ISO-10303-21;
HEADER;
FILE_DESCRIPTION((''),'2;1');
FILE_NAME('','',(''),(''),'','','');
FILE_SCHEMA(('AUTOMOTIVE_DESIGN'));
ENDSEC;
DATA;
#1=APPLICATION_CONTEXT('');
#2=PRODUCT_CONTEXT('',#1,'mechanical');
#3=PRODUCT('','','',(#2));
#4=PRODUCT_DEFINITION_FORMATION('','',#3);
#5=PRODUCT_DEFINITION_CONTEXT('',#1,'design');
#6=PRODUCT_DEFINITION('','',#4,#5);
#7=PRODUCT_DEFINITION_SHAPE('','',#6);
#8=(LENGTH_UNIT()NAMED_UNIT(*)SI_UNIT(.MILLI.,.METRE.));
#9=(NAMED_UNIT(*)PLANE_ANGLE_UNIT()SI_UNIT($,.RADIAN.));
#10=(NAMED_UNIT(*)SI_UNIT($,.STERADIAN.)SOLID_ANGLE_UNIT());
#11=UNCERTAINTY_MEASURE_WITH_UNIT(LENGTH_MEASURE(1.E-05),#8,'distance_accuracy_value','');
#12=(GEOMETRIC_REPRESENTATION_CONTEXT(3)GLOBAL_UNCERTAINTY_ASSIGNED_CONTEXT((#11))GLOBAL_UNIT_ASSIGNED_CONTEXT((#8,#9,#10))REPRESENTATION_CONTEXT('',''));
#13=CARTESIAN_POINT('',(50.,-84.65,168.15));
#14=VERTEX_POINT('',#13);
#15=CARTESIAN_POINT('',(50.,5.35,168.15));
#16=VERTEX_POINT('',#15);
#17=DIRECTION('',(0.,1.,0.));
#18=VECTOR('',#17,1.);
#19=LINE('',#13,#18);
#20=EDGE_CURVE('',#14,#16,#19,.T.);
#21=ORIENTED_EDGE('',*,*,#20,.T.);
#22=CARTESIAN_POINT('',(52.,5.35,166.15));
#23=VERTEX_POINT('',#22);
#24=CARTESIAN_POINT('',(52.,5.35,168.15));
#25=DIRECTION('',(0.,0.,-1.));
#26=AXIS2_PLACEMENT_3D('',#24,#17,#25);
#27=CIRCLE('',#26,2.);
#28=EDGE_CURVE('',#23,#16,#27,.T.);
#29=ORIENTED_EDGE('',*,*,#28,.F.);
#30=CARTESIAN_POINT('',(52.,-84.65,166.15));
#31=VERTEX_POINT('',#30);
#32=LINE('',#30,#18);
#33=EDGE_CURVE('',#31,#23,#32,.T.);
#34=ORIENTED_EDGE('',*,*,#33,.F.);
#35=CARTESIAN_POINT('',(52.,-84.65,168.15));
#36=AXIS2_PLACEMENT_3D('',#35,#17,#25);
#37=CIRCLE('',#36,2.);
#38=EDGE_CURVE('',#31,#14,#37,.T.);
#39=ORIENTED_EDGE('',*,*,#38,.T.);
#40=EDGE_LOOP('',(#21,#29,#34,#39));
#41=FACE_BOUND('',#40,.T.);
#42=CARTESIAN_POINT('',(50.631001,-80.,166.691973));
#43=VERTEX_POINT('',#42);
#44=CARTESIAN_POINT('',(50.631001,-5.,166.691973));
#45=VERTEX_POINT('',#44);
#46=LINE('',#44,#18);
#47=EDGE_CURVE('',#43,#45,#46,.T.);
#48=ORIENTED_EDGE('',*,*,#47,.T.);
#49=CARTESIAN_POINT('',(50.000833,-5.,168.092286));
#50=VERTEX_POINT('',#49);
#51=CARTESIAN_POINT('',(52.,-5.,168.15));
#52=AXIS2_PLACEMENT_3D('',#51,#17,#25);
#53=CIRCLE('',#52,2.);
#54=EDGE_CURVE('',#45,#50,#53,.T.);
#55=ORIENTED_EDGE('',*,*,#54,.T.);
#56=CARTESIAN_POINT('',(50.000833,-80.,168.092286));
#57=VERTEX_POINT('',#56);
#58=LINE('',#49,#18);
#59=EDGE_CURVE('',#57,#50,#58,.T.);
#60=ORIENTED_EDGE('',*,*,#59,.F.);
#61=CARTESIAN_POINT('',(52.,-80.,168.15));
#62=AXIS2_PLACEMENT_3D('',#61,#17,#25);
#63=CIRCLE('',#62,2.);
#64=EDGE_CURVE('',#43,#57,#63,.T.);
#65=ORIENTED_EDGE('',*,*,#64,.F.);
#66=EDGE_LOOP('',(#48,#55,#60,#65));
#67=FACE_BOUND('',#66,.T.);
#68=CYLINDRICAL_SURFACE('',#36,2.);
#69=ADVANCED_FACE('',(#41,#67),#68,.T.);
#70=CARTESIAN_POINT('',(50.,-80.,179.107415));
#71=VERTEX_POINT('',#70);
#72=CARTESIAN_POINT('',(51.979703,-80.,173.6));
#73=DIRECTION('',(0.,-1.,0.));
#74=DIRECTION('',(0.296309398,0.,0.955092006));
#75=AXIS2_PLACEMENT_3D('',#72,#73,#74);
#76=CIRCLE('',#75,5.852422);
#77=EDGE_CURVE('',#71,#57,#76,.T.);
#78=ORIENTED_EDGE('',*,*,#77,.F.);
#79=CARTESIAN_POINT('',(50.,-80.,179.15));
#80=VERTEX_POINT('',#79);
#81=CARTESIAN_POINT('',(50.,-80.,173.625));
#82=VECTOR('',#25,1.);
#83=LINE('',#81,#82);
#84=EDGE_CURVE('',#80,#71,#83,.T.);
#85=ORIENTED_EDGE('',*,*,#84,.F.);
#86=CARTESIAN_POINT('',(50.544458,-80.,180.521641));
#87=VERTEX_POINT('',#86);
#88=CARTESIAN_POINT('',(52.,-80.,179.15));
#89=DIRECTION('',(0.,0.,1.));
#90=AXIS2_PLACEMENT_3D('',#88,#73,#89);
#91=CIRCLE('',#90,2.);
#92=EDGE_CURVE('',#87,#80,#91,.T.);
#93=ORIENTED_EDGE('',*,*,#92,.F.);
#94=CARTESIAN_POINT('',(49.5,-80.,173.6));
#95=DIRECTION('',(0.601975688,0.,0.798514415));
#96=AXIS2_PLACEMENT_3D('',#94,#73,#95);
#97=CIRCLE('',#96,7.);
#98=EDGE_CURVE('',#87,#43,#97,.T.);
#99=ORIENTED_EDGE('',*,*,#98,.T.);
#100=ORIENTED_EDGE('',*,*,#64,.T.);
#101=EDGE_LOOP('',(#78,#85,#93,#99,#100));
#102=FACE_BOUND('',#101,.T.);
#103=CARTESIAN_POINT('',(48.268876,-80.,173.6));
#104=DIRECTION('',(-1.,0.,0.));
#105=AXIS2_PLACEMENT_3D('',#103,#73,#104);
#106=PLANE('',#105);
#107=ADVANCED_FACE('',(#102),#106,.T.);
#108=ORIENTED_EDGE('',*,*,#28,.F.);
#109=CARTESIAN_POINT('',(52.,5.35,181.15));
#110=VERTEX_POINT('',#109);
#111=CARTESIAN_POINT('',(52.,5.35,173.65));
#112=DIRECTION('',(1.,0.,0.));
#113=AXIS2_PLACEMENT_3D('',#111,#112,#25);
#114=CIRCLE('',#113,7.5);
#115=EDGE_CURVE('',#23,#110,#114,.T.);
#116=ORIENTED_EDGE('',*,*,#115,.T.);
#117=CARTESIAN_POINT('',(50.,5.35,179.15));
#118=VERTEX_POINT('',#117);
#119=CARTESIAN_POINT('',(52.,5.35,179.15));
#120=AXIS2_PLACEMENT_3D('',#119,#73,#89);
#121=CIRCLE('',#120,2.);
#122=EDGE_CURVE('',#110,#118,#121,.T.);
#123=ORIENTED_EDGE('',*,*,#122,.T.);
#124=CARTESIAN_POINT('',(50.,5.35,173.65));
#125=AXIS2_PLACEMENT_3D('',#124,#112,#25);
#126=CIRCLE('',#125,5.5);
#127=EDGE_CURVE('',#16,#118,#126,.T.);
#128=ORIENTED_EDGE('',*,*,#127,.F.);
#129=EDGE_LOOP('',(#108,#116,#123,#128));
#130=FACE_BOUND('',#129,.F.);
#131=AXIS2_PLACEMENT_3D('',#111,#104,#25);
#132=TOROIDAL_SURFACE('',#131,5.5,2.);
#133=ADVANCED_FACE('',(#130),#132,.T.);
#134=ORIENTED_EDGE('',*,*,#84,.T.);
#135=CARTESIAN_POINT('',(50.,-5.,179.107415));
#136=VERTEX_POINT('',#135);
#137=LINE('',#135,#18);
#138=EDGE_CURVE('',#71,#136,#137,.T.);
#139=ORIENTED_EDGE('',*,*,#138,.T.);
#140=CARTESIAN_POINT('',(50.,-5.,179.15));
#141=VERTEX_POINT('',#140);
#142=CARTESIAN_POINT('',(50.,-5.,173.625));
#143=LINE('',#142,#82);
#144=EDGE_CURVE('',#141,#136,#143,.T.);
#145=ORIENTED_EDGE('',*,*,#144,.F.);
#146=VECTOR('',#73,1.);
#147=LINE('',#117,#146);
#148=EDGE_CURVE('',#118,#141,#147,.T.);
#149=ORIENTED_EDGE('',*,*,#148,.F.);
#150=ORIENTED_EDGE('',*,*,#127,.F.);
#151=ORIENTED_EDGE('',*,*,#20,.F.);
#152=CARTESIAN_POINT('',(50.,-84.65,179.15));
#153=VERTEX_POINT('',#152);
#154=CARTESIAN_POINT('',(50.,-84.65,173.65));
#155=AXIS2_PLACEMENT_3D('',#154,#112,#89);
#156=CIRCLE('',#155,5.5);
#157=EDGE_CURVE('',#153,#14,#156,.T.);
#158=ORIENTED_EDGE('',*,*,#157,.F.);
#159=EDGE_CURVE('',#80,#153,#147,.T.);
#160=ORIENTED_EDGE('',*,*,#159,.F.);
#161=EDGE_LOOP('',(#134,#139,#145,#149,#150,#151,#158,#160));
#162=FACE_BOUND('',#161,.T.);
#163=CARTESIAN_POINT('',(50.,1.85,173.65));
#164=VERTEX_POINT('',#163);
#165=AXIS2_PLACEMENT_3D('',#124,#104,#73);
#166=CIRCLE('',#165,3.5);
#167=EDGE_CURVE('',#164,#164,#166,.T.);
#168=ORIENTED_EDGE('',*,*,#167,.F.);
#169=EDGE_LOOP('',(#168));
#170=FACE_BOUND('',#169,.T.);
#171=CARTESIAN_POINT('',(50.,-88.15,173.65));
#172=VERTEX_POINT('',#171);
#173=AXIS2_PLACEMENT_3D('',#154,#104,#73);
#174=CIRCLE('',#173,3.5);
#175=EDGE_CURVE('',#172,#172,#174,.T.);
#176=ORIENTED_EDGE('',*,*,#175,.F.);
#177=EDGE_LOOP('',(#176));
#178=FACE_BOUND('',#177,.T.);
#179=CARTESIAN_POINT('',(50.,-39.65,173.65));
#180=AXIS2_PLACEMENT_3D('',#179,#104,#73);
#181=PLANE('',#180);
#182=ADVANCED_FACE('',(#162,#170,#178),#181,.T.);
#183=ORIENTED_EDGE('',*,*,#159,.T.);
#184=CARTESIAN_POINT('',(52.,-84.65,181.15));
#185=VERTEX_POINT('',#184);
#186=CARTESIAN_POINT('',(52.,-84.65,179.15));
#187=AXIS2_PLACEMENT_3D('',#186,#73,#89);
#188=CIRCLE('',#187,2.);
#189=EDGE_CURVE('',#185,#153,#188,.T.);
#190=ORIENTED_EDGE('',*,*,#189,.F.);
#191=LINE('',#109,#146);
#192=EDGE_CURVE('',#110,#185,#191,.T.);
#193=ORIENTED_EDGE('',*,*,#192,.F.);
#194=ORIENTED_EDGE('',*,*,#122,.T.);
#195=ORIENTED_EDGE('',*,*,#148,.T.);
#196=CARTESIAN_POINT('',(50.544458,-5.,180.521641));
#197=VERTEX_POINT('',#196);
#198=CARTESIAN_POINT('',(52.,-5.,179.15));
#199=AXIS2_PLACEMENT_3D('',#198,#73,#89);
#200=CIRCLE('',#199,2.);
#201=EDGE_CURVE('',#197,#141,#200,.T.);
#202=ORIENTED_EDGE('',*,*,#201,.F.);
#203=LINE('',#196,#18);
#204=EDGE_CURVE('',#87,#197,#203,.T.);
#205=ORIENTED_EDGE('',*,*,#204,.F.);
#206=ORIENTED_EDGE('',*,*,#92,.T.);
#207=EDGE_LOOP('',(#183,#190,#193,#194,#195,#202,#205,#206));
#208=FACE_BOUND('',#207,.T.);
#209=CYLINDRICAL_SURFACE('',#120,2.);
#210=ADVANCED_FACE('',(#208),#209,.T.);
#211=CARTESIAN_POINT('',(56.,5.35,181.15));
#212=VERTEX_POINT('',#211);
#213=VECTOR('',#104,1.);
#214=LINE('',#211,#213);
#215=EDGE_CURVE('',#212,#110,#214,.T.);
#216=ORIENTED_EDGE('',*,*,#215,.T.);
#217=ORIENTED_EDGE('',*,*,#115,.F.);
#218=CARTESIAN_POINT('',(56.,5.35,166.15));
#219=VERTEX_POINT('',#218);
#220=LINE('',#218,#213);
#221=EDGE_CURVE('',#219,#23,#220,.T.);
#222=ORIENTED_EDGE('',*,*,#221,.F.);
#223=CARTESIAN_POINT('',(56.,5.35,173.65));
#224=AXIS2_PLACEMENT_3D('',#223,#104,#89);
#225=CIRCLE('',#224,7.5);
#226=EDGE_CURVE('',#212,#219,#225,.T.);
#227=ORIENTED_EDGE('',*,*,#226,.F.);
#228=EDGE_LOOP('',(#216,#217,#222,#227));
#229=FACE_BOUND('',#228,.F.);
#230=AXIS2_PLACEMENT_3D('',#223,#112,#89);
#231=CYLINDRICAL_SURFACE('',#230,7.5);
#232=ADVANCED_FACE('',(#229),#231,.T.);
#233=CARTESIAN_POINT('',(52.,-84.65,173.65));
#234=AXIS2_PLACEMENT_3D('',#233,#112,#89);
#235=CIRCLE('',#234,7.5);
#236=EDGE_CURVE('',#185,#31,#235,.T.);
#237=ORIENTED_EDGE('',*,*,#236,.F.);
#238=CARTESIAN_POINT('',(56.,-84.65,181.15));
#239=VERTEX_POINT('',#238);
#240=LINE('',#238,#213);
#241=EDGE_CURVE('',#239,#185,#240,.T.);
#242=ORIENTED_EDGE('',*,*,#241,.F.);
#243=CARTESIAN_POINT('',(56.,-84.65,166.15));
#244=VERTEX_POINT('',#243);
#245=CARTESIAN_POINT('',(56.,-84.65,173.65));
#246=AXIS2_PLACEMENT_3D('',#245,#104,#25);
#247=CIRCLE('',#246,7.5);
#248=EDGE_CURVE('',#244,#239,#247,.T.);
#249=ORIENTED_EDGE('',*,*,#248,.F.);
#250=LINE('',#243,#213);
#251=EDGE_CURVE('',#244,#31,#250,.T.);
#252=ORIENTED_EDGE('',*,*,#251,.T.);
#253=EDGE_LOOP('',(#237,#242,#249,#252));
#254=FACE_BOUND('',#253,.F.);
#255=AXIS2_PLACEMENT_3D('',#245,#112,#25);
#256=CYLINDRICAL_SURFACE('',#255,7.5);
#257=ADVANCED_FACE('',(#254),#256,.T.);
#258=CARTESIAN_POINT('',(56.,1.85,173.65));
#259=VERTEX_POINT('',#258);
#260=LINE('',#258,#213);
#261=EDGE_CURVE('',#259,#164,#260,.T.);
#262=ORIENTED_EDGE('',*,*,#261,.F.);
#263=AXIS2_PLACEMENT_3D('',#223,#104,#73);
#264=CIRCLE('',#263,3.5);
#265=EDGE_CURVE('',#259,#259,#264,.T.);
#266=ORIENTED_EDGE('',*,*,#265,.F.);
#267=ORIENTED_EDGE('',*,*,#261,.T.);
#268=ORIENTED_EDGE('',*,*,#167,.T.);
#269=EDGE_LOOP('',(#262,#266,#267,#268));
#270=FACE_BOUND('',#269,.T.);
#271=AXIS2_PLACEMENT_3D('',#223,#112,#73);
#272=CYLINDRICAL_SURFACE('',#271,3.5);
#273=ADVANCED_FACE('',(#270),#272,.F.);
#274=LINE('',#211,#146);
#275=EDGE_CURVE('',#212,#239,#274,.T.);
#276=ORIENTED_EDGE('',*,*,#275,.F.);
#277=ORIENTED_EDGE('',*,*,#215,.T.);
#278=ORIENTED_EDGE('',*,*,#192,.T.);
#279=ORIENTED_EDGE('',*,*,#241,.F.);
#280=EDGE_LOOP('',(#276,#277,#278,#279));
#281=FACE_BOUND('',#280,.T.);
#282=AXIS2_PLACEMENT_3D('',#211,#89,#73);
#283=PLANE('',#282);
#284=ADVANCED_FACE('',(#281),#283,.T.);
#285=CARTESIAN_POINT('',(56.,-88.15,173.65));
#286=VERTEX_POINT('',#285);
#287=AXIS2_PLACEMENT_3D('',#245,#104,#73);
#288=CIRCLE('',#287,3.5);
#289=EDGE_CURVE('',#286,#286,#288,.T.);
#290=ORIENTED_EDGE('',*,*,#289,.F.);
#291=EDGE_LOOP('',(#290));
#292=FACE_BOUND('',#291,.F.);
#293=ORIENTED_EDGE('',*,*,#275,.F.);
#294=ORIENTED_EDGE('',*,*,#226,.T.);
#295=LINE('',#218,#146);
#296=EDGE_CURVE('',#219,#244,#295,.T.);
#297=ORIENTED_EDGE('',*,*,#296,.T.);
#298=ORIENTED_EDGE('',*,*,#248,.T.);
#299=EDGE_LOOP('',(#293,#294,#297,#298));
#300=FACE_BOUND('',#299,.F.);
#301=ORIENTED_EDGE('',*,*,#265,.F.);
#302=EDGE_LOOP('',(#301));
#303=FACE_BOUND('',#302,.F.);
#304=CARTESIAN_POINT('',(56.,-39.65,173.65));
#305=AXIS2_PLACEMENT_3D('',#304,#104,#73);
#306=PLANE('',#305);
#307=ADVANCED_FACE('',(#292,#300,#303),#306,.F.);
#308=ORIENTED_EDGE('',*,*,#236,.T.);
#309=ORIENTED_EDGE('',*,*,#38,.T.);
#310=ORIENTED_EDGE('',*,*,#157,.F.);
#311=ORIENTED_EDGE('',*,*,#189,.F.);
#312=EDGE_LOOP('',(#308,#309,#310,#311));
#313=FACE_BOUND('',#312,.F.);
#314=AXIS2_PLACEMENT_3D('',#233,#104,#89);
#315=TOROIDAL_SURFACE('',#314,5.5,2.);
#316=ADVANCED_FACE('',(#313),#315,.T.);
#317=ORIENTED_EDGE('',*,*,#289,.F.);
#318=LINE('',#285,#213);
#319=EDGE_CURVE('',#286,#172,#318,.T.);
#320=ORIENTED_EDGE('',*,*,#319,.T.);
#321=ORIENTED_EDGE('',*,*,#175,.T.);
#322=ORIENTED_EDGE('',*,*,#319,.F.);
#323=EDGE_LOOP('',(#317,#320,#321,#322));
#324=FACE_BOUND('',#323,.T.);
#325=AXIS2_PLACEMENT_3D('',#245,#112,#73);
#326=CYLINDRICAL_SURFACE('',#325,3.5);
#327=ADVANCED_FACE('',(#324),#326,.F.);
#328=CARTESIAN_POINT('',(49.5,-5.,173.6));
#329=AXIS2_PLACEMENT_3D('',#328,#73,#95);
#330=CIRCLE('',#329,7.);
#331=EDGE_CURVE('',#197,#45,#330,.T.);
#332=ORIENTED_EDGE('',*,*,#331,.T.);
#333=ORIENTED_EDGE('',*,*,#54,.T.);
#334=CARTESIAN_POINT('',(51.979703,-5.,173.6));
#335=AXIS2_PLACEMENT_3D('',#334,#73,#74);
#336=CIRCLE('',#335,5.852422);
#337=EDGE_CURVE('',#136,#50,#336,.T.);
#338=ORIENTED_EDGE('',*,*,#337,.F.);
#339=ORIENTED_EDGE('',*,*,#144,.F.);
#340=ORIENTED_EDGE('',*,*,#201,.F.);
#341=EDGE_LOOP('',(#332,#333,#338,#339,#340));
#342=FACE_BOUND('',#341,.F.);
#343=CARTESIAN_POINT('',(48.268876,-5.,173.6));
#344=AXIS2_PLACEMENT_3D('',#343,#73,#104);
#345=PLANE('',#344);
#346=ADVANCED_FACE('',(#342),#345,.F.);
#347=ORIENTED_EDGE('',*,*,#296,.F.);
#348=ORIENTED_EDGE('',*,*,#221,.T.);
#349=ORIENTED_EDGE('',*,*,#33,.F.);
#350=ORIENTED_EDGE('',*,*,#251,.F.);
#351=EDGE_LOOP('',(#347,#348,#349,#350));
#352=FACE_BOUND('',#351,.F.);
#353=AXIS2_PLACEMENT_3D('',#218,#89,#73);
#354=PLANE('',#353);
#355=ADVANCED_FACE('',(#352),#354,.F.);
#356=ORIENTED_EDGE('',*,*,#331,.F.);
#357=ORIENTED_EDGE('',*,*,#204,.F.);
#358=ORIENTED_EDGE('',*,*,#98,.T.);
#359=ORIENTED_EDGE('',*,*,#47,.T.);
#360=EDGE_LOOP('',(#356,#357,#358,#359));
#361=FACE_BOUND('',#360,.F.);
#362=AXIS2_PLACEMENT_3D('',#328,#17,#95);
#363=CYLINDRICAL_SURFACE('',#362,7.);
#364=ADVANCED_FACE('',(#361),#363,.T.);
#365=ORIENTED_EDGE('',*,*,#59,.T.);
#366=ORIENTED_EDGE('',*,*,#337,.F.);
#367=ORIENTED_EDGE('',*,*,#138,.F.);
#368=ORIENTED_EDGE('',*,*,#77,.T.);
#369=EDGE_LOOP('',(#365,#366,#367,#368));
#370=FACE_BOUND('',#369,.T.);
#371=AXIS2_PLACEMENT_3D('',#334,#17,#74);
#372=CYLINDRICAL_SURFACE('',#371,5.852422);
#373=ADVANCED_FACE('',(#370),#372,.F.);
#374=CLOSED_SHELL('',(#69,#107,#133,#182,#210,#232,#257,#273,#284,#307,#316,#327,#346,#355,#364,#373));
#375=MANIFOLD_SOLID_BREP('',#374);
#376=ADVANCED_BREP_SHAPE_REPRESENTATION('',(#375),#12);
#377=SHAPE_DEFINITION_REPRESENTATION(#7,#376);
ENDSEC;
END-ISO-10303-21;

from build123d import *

# Parameters (mm, degrees)
SKETCH010_R                = 3.5
EXTRUDE009_DEPTH           = 6
FILLET001_R                = 2
EXTRUDE023_DEPTH           = 75
EXTRUDE023_PLACEMENT_ANGLE = 180


with BuildPart() as palo_3_hombro:
    # Sketch010 → Extrude009 (new body)
    with BuildSketch(Plane(origin=(0, 0, 0), x_dir=(0, -1, 0), z_dir=(-1, 0, 0))):
        with BuildLine():
            ThreePointArc((0, 7.5), (-7.5, 0), (0, -7.5))
            Line((0, -7.5), (90, -7.5))
            ThreePointArc((90, -7.5), (97.5, 0), (90, 7.5))
            Line((0, 7.5), (90, 7.5))
        make_face()
        Circle(SKETCH010_R, mode=Mode.SUBTRACT)
        with Locations((90, 0)):
            Circle(SKETCH010_R, mode=Mode.SUBTRACT)
    extrude(amount=EXTRUDE009_DEPTH)


with BuildPart() as palo_3_hombro_1:
    # Extrude009 placement: moved
    add(palo_3_hombro.part.moved(Location((60, 5.35, 173.65))))

    # Fillet001
    fillet001_edges = [palo_3_hombro_1.edges().sort_by_distance(p)[0] for p in [
        (54, -39.65, 181.15),
    ]]
    fillet(fillet001_edges, radius=FILLET001_R)


with BuildPart() as fusion028:
    # Sketch024 → Extrude023 (new body)
    with BuildSketch(Plane.XZ):
        with BuildLine():
            ThreePointArc((-4.21383, -5.589601), (7, 0), (-4.21383, 5.589601))
            ThreePointArc((-4.21383, -5.589601), (3.372719, 0), (-4.21383, 5.589601))
        make_face()
    extrude(amount=EXTRUDE023_DEPTH)


with BuildPart() as fusion028_1:
    # Extrude023 placement: moved
    add(fusion028.part.moved(Location((53.5, -5, 173.6))).rotate(Axis((53.5, -5, 173.6), (0, 1, 0)), EXTRUDE023_PLACEMENT_ANGLE))

    # Fusion028: union palo 3 hombro
    add(palo_3_hombro_1.part)


with BuildPart() as fusion028_2:
    # Fusion028 placement: moved
    add(fusion028_1.part.moved(Location((-4, 0, 0))))


solid = fusion028_2.part
